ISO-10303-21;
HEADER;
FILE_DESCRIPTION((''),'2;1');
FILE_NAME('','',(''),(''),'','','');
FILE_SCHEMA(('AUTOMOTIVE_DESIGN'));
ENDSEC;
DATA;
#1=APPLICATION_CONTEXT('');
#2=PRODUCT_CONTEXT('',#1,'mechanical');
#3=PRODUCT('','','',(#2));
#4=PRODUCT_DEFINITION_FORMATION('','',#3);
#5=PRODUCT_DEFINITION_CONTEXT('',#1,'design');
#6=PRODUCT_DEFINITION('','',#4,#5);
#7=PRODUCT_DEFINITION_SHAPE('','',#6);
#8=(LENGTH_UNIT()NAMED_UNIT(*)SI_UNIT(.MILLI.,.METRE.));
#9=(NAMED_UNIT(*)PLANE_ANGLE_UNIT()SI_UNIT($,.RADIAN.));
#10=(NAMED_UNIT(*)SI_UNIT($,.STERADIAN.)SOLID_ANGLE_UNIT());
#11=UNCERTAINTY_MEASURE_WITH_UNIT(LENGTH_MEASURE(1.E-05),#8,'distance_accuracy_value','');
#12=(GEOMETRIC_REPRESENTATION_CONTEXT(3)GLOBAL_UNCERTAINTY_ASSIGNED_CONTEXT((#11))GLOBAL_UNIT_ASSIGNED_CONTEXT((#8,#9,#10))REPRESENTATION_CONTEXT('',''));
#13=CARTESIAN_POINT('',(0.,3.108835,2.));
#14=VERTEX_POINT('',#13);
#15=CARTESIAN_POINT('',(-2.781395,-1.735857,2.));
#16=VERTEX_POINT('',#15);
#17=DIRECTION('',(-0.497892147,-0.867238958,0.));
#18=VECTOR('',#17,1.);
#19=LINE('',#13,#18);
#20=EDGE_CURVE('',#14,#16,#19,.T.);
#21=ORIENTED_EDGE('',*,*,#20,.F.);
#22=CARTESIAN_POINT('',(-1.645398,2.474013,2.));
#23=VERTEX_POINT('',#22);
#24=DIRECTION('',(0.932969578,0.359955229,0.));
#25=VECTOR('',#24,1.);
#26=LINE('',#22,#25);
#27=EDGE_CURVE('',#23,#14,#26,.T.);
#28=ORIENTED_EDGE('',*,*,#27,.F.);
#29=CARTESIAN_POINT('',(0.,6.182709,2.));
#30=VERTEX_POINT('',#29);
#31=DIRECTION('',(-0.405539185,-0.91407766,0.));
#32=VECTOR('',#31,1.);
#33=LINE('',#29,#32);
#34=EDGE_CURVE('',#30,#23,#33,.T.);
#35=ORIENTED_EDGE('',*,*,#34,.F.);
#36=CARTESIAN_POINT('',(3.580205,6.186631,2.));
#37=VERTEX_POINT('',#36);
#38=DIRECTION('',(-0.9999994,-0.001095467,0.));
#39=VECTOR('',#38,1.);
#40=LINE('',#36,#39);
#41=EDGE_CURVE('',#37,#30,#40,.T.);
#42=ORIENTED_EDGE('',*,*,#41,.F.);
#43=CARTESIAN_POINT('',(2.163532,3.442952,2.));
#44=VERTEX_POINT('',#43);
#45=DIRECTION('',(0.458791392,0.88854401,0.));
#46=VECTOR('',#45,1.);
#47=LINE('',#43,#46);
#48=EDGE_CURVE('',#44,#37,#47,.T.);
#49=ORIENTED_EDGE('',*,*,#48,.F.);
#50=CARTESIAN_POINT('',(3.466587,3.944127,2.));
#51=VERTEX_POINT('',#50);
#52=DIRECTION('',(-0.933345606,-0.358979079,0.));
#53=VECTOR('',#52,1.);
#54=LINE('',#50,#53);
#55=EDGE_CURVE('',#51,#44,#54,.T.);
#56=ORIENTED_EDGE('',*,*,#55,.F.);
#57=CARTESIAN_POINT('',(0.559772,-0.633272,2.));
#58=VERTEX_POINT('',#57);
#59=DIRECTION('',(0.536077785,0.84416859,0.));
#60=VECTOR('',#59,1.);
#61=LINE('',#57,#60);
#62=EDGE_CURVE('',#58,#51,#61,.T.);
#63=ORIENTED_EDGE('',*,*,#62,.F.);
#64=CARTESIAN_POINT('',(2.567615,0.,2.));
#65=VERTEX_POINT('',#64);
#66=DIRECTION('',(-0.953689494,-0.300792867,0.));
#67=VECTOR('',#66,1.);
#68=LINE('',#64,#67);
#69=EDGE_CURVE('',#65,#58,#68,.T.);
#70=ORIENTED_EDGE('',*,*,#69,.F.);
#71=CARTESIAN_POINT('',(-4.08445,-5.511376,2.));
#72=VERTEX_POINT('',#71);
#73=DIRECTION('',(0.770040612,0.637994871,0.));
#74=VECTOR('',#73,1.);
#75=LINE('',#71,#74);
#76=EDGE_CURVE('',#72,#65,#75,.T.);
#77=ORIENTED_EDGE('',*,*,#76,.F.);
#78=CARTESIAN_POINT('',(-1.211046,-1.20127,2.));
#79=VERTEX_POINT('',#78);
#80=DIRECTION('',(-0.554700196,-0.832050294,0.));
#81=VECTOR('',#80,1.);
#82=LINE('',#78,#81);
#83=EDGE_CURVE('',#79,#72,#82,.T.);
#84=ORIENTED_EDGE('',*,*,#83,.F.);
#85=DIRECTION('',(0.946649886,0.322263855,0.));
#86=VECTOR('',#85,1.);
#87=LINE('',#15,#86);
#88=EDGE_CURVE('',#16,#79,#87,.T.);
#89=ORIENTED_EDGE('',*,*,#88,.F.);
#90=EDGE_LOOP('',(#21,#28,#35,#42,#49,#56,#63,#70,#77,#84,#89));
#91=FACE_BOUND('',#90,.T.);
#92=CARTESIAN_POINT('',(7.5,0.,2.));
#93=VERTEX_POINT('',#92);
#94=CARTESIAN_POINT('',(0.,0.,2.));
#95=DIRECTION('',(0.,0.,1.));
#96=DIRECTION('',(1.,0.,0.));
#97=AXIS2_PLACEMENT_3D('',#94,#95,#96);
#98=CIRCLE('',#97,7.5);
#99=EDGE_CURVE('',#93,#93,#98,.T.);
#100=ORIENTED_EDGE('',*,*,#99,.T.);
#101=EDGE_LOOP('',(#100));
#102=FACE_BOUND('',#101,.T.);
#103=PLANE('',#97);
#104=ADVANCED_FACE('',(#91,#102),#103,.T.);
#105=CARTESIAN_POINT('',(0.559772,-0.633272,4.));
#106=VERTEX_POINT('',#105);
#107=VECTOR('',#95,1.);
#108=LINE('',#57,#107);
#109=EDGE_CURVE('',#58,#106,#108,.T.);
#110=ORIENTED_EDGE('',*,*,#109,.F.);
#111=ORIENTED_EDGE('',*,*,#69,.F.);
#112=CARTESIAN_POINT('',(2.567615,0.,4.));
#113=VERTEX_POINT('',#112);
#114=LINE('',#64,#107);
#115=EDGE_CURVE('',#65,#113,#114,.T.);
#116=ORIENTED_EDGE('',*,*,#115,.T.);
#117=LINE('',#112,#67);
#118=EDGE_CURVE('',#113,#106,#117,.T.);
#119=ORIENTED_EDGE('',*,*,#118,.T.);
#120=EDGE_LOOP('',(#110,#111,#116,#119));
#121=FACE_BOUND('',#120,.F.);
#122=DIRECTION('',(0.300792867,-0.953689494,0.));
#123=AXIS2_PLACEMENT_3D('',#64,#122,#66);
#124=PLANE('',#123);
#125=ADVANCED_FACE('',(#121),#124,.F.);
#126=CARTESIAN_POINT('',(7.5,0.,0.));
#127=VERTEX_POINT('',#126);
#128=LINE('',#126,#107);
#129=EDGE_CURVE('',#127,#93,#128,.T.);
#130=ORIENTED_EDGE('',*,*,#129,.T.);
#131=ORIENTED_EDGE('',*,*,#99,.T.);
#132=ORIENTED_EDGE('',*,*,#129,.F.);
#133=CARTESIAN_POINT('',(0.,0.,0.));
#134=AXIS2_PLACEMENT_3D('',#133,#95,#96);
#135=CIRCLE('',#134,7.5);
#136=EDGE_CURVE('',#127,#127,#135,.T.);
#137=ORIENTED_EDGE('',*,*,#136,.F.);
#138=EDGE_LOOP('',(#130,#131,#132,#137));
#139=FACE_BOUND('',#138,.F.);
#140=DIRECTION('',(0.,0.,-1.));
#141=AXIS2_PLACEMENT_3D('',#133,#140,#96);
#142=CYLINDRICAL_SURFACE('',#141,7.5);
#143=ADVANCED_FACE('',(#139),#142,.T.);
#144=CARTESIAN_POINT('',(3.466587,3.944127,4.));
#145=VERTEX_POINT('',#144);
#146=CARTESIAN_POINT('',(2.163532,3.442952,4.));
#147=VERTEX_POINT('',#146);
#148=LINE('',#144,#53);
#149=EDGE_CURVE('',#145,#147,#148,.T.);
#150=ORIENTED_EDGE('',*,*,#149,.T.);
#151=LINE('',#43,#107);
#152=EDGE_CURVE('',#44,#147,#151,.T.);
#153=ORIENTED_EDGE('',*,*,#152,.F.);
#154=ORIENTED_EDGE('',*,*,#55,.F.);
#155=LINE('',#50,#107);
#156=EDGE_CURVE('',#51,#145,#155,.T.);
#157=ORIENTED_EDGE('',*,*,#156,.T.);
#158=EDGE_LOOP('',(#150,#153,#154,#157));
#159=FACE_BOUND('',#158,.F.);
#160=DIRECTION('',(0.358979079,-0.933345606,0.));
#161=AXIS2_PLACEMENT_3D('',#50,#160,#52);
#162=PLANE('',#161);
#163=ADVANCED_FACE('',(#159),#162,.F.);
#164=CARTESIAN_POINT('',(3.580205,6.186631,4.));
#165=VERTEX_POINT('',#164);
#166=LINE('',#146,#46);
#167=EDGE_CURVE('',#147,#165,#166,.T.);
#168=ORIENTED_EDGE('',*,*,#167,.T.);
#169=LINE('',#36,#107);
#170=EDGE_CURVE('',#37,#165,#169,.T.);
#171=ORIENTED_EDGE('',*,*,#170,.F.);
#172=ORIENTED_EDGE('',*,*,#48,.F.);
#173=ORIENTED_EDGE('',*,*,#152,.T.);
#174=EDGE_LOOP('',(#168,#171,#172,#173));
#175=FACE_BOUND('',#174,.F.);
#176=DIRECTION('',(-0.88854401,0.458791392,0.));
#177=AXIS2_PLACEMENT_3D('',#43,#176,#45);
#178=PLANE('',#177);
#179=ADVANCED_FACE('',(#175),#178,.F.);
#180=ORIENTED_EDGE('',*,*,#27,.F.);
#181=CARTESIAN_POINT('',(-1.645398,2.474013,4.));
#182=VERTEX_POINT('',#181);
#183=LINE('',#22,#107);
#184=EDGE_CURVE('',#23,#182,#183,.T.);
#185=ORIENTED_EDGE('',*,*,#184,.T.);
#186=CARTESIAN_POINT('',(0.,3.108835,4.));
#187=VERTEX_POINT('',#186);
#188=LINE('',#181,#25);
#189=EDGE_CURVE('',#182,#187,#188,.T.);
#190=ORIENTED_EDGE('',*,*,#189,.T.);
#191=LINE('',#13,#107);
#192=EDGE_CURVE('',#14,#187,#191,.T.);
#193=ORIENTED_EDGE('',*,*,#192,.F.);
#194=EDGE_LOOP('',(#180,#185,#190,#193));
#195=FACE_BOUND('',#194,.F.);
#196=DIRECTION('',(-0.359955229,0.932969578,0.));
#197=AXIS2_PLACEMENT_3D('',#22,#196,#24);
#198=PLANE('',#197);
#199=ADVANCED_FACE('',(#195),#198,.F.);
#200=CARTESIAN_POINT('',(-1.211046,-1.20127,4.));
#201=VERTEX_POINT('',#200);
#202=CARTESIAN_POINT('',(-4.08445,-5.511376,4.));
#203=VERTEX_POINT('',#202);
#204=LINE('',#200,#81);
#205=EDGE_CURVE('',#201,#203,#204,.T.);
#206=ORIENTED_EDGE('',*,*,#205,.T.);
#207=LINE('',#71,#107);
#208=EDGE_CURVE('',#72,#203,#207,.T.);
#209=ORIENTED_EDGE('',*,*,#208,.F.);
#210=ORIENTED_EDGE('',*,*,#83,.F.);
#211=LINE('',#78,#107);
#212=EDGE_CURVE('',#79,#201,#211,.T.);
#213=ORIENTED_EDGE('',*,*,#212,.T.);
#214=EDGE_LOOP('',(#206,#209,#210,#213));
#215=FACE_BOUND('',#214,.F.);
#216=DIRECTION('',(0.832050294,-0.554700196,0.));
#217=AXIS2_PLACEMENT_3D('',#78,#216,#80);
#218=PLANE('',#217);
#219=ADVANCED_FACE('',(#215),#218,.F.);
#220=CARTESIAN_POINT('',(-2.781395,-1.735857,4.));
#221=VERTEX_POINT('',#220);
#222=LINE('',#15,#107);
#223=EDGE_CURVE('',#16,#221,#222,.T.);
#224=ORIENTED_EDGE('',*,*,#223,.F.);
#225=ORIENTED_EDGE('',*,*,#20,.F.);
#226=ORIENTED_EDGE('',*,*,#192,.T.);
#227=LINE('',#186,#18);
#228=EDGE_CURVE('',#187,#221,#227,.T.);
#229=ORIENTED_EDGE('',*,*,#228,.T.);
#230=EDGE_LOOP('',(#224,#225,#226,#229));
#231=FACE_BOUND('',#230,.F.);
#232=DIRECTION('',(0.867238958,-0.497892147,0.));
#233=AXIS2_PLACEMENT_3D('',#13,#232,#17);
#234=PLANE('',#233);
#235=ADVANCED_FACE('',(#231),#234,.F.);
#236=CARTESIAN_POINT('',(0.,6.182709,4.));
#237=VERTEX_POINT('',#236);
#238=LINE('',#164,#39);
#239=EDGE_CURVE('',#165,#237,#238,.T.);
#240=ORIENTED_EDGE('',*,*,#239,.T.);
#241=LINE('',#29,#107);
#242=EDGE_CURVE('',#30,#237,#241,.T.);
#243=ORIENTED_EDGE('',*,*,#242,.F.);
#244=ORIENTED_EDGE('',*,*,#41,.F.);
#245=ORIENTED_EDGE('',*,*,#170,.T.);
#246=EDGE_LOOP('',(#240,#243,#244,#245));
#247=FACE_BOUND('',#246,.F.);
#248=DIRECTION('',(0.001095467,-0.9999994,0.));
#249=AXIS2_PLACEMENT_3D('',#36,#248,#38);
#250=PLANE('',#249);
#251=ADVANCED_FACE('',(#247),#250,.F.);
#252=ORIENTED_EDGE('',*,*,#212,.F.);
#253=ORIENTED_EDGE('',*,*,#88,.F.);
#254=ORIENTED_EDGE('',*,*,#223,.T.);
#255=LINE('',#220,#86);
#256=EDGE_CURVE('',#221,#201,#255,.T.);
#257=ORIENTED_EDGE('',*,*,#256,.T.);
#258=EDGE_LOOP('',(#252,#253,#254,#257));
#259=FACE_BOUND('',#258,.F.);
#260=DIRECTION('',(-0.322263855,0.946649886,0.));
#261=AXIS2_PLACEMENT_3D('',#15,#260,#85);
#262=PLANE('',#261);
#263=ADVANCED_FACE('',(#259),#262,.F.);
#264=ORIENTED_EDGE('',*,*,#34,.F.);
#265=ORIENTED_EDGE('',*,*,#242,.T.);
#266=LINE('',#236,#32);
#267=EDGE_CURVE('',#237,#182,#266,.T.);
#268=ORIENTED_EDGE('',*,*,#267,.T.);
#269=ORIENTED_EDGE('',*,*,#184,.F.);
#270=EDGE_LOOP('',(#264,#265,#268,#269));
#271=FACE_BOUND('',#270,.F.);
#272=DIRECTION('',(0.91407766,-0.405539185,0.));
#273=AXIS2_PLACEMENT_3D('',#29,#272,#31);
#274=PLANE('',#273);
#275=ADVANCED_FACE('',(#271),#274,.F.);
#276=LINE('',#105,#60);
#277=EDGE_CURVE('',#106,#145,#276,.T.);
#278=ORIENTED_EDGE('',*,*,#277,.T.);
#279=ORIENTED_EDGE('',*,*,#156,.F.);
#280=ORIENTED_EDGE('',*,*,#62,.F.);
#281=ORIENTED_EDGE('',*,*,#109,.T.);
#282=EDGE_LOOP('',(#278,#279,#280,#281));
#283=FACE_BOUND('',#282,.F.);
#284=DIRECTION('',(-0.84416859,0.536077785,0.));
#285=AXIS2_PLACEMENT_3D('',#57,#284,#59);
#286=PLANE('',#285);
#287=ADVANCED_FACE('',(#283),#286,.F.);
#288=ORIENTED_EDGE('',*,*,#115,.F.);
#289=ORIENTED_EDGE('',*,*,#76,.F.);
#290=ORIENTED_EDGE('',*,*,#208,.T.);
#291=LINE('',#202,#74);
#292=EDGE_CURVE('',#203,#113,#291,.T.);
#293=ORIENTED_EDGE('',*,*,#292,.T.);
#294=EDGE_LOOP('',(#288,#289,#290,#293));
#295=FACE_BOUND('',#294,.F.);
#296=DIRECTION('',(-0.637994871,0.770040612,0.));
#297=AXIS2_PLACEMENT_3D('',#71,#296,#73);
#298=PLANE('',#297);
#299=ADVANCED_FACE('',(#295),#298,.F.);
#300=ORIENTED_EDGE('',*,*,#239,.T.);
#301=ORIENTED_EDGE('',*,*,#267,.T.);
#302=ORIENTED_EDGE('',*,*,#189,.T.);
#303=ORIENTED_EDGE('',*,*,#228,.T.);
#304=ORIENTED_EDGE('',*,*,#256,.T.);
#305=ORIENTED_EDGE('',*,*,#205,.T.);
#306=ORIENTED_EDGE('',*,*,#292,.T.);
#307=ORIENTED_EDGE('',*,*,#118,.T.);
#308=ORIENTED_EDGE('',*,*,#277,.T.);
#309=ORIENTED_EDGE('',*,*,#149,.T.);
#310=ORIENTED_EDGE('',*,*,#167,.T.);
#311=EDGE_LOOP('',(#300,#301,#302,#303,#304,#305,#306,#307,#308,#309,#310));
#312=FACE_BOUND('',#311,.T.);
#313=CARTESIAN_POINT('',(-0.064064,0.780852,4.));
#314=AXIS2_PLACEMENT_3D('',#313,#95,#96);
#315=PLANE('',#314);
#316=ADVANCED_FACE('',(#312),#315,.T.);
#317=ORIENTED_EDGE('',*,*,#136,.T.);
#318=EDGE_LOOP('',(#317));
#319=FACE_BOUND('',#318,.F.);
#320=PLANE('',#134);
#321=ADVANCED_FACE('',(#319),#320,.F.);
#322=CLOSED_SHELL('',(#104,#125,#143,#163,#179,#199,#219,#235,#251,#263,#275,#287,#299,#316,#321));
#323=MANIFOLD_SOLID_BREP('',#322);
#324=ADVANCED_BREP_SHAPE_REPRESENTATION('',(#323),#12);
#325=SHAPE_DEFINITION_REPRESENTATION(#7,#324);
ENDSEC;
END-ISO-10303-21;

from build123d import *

# Parameters (mm, degrees)
F0_R     = 7.5
F1_DEPTH = 2
F3_DEPTH = 2


with BuildPart() as f1:
    # F0 (on Top) → F1 (new body)
    with BuildSketch(Plane.XY):
        Circle(F0_R)
    extrude(amount=F1_DEPTH)

    # F2 (on face) → F3 (join)
    with BuildSketch(Plane.XY.offset(2)):
        Polygon((3.580205, 6.186631), (0, 6.182709), (-1.645398, 2.474013), (0, 3.108835), (-2.781395, -1.735857), (-1.211046, -1.20127), (-4.08445, -5.511376), (2.567615, 0), (0.559772, -0.633272), (3.466587, 3.944127), (2.163532, 3.442952), align=None)
    extrude(amount=F3_DEPTH)


solid = f1.part
